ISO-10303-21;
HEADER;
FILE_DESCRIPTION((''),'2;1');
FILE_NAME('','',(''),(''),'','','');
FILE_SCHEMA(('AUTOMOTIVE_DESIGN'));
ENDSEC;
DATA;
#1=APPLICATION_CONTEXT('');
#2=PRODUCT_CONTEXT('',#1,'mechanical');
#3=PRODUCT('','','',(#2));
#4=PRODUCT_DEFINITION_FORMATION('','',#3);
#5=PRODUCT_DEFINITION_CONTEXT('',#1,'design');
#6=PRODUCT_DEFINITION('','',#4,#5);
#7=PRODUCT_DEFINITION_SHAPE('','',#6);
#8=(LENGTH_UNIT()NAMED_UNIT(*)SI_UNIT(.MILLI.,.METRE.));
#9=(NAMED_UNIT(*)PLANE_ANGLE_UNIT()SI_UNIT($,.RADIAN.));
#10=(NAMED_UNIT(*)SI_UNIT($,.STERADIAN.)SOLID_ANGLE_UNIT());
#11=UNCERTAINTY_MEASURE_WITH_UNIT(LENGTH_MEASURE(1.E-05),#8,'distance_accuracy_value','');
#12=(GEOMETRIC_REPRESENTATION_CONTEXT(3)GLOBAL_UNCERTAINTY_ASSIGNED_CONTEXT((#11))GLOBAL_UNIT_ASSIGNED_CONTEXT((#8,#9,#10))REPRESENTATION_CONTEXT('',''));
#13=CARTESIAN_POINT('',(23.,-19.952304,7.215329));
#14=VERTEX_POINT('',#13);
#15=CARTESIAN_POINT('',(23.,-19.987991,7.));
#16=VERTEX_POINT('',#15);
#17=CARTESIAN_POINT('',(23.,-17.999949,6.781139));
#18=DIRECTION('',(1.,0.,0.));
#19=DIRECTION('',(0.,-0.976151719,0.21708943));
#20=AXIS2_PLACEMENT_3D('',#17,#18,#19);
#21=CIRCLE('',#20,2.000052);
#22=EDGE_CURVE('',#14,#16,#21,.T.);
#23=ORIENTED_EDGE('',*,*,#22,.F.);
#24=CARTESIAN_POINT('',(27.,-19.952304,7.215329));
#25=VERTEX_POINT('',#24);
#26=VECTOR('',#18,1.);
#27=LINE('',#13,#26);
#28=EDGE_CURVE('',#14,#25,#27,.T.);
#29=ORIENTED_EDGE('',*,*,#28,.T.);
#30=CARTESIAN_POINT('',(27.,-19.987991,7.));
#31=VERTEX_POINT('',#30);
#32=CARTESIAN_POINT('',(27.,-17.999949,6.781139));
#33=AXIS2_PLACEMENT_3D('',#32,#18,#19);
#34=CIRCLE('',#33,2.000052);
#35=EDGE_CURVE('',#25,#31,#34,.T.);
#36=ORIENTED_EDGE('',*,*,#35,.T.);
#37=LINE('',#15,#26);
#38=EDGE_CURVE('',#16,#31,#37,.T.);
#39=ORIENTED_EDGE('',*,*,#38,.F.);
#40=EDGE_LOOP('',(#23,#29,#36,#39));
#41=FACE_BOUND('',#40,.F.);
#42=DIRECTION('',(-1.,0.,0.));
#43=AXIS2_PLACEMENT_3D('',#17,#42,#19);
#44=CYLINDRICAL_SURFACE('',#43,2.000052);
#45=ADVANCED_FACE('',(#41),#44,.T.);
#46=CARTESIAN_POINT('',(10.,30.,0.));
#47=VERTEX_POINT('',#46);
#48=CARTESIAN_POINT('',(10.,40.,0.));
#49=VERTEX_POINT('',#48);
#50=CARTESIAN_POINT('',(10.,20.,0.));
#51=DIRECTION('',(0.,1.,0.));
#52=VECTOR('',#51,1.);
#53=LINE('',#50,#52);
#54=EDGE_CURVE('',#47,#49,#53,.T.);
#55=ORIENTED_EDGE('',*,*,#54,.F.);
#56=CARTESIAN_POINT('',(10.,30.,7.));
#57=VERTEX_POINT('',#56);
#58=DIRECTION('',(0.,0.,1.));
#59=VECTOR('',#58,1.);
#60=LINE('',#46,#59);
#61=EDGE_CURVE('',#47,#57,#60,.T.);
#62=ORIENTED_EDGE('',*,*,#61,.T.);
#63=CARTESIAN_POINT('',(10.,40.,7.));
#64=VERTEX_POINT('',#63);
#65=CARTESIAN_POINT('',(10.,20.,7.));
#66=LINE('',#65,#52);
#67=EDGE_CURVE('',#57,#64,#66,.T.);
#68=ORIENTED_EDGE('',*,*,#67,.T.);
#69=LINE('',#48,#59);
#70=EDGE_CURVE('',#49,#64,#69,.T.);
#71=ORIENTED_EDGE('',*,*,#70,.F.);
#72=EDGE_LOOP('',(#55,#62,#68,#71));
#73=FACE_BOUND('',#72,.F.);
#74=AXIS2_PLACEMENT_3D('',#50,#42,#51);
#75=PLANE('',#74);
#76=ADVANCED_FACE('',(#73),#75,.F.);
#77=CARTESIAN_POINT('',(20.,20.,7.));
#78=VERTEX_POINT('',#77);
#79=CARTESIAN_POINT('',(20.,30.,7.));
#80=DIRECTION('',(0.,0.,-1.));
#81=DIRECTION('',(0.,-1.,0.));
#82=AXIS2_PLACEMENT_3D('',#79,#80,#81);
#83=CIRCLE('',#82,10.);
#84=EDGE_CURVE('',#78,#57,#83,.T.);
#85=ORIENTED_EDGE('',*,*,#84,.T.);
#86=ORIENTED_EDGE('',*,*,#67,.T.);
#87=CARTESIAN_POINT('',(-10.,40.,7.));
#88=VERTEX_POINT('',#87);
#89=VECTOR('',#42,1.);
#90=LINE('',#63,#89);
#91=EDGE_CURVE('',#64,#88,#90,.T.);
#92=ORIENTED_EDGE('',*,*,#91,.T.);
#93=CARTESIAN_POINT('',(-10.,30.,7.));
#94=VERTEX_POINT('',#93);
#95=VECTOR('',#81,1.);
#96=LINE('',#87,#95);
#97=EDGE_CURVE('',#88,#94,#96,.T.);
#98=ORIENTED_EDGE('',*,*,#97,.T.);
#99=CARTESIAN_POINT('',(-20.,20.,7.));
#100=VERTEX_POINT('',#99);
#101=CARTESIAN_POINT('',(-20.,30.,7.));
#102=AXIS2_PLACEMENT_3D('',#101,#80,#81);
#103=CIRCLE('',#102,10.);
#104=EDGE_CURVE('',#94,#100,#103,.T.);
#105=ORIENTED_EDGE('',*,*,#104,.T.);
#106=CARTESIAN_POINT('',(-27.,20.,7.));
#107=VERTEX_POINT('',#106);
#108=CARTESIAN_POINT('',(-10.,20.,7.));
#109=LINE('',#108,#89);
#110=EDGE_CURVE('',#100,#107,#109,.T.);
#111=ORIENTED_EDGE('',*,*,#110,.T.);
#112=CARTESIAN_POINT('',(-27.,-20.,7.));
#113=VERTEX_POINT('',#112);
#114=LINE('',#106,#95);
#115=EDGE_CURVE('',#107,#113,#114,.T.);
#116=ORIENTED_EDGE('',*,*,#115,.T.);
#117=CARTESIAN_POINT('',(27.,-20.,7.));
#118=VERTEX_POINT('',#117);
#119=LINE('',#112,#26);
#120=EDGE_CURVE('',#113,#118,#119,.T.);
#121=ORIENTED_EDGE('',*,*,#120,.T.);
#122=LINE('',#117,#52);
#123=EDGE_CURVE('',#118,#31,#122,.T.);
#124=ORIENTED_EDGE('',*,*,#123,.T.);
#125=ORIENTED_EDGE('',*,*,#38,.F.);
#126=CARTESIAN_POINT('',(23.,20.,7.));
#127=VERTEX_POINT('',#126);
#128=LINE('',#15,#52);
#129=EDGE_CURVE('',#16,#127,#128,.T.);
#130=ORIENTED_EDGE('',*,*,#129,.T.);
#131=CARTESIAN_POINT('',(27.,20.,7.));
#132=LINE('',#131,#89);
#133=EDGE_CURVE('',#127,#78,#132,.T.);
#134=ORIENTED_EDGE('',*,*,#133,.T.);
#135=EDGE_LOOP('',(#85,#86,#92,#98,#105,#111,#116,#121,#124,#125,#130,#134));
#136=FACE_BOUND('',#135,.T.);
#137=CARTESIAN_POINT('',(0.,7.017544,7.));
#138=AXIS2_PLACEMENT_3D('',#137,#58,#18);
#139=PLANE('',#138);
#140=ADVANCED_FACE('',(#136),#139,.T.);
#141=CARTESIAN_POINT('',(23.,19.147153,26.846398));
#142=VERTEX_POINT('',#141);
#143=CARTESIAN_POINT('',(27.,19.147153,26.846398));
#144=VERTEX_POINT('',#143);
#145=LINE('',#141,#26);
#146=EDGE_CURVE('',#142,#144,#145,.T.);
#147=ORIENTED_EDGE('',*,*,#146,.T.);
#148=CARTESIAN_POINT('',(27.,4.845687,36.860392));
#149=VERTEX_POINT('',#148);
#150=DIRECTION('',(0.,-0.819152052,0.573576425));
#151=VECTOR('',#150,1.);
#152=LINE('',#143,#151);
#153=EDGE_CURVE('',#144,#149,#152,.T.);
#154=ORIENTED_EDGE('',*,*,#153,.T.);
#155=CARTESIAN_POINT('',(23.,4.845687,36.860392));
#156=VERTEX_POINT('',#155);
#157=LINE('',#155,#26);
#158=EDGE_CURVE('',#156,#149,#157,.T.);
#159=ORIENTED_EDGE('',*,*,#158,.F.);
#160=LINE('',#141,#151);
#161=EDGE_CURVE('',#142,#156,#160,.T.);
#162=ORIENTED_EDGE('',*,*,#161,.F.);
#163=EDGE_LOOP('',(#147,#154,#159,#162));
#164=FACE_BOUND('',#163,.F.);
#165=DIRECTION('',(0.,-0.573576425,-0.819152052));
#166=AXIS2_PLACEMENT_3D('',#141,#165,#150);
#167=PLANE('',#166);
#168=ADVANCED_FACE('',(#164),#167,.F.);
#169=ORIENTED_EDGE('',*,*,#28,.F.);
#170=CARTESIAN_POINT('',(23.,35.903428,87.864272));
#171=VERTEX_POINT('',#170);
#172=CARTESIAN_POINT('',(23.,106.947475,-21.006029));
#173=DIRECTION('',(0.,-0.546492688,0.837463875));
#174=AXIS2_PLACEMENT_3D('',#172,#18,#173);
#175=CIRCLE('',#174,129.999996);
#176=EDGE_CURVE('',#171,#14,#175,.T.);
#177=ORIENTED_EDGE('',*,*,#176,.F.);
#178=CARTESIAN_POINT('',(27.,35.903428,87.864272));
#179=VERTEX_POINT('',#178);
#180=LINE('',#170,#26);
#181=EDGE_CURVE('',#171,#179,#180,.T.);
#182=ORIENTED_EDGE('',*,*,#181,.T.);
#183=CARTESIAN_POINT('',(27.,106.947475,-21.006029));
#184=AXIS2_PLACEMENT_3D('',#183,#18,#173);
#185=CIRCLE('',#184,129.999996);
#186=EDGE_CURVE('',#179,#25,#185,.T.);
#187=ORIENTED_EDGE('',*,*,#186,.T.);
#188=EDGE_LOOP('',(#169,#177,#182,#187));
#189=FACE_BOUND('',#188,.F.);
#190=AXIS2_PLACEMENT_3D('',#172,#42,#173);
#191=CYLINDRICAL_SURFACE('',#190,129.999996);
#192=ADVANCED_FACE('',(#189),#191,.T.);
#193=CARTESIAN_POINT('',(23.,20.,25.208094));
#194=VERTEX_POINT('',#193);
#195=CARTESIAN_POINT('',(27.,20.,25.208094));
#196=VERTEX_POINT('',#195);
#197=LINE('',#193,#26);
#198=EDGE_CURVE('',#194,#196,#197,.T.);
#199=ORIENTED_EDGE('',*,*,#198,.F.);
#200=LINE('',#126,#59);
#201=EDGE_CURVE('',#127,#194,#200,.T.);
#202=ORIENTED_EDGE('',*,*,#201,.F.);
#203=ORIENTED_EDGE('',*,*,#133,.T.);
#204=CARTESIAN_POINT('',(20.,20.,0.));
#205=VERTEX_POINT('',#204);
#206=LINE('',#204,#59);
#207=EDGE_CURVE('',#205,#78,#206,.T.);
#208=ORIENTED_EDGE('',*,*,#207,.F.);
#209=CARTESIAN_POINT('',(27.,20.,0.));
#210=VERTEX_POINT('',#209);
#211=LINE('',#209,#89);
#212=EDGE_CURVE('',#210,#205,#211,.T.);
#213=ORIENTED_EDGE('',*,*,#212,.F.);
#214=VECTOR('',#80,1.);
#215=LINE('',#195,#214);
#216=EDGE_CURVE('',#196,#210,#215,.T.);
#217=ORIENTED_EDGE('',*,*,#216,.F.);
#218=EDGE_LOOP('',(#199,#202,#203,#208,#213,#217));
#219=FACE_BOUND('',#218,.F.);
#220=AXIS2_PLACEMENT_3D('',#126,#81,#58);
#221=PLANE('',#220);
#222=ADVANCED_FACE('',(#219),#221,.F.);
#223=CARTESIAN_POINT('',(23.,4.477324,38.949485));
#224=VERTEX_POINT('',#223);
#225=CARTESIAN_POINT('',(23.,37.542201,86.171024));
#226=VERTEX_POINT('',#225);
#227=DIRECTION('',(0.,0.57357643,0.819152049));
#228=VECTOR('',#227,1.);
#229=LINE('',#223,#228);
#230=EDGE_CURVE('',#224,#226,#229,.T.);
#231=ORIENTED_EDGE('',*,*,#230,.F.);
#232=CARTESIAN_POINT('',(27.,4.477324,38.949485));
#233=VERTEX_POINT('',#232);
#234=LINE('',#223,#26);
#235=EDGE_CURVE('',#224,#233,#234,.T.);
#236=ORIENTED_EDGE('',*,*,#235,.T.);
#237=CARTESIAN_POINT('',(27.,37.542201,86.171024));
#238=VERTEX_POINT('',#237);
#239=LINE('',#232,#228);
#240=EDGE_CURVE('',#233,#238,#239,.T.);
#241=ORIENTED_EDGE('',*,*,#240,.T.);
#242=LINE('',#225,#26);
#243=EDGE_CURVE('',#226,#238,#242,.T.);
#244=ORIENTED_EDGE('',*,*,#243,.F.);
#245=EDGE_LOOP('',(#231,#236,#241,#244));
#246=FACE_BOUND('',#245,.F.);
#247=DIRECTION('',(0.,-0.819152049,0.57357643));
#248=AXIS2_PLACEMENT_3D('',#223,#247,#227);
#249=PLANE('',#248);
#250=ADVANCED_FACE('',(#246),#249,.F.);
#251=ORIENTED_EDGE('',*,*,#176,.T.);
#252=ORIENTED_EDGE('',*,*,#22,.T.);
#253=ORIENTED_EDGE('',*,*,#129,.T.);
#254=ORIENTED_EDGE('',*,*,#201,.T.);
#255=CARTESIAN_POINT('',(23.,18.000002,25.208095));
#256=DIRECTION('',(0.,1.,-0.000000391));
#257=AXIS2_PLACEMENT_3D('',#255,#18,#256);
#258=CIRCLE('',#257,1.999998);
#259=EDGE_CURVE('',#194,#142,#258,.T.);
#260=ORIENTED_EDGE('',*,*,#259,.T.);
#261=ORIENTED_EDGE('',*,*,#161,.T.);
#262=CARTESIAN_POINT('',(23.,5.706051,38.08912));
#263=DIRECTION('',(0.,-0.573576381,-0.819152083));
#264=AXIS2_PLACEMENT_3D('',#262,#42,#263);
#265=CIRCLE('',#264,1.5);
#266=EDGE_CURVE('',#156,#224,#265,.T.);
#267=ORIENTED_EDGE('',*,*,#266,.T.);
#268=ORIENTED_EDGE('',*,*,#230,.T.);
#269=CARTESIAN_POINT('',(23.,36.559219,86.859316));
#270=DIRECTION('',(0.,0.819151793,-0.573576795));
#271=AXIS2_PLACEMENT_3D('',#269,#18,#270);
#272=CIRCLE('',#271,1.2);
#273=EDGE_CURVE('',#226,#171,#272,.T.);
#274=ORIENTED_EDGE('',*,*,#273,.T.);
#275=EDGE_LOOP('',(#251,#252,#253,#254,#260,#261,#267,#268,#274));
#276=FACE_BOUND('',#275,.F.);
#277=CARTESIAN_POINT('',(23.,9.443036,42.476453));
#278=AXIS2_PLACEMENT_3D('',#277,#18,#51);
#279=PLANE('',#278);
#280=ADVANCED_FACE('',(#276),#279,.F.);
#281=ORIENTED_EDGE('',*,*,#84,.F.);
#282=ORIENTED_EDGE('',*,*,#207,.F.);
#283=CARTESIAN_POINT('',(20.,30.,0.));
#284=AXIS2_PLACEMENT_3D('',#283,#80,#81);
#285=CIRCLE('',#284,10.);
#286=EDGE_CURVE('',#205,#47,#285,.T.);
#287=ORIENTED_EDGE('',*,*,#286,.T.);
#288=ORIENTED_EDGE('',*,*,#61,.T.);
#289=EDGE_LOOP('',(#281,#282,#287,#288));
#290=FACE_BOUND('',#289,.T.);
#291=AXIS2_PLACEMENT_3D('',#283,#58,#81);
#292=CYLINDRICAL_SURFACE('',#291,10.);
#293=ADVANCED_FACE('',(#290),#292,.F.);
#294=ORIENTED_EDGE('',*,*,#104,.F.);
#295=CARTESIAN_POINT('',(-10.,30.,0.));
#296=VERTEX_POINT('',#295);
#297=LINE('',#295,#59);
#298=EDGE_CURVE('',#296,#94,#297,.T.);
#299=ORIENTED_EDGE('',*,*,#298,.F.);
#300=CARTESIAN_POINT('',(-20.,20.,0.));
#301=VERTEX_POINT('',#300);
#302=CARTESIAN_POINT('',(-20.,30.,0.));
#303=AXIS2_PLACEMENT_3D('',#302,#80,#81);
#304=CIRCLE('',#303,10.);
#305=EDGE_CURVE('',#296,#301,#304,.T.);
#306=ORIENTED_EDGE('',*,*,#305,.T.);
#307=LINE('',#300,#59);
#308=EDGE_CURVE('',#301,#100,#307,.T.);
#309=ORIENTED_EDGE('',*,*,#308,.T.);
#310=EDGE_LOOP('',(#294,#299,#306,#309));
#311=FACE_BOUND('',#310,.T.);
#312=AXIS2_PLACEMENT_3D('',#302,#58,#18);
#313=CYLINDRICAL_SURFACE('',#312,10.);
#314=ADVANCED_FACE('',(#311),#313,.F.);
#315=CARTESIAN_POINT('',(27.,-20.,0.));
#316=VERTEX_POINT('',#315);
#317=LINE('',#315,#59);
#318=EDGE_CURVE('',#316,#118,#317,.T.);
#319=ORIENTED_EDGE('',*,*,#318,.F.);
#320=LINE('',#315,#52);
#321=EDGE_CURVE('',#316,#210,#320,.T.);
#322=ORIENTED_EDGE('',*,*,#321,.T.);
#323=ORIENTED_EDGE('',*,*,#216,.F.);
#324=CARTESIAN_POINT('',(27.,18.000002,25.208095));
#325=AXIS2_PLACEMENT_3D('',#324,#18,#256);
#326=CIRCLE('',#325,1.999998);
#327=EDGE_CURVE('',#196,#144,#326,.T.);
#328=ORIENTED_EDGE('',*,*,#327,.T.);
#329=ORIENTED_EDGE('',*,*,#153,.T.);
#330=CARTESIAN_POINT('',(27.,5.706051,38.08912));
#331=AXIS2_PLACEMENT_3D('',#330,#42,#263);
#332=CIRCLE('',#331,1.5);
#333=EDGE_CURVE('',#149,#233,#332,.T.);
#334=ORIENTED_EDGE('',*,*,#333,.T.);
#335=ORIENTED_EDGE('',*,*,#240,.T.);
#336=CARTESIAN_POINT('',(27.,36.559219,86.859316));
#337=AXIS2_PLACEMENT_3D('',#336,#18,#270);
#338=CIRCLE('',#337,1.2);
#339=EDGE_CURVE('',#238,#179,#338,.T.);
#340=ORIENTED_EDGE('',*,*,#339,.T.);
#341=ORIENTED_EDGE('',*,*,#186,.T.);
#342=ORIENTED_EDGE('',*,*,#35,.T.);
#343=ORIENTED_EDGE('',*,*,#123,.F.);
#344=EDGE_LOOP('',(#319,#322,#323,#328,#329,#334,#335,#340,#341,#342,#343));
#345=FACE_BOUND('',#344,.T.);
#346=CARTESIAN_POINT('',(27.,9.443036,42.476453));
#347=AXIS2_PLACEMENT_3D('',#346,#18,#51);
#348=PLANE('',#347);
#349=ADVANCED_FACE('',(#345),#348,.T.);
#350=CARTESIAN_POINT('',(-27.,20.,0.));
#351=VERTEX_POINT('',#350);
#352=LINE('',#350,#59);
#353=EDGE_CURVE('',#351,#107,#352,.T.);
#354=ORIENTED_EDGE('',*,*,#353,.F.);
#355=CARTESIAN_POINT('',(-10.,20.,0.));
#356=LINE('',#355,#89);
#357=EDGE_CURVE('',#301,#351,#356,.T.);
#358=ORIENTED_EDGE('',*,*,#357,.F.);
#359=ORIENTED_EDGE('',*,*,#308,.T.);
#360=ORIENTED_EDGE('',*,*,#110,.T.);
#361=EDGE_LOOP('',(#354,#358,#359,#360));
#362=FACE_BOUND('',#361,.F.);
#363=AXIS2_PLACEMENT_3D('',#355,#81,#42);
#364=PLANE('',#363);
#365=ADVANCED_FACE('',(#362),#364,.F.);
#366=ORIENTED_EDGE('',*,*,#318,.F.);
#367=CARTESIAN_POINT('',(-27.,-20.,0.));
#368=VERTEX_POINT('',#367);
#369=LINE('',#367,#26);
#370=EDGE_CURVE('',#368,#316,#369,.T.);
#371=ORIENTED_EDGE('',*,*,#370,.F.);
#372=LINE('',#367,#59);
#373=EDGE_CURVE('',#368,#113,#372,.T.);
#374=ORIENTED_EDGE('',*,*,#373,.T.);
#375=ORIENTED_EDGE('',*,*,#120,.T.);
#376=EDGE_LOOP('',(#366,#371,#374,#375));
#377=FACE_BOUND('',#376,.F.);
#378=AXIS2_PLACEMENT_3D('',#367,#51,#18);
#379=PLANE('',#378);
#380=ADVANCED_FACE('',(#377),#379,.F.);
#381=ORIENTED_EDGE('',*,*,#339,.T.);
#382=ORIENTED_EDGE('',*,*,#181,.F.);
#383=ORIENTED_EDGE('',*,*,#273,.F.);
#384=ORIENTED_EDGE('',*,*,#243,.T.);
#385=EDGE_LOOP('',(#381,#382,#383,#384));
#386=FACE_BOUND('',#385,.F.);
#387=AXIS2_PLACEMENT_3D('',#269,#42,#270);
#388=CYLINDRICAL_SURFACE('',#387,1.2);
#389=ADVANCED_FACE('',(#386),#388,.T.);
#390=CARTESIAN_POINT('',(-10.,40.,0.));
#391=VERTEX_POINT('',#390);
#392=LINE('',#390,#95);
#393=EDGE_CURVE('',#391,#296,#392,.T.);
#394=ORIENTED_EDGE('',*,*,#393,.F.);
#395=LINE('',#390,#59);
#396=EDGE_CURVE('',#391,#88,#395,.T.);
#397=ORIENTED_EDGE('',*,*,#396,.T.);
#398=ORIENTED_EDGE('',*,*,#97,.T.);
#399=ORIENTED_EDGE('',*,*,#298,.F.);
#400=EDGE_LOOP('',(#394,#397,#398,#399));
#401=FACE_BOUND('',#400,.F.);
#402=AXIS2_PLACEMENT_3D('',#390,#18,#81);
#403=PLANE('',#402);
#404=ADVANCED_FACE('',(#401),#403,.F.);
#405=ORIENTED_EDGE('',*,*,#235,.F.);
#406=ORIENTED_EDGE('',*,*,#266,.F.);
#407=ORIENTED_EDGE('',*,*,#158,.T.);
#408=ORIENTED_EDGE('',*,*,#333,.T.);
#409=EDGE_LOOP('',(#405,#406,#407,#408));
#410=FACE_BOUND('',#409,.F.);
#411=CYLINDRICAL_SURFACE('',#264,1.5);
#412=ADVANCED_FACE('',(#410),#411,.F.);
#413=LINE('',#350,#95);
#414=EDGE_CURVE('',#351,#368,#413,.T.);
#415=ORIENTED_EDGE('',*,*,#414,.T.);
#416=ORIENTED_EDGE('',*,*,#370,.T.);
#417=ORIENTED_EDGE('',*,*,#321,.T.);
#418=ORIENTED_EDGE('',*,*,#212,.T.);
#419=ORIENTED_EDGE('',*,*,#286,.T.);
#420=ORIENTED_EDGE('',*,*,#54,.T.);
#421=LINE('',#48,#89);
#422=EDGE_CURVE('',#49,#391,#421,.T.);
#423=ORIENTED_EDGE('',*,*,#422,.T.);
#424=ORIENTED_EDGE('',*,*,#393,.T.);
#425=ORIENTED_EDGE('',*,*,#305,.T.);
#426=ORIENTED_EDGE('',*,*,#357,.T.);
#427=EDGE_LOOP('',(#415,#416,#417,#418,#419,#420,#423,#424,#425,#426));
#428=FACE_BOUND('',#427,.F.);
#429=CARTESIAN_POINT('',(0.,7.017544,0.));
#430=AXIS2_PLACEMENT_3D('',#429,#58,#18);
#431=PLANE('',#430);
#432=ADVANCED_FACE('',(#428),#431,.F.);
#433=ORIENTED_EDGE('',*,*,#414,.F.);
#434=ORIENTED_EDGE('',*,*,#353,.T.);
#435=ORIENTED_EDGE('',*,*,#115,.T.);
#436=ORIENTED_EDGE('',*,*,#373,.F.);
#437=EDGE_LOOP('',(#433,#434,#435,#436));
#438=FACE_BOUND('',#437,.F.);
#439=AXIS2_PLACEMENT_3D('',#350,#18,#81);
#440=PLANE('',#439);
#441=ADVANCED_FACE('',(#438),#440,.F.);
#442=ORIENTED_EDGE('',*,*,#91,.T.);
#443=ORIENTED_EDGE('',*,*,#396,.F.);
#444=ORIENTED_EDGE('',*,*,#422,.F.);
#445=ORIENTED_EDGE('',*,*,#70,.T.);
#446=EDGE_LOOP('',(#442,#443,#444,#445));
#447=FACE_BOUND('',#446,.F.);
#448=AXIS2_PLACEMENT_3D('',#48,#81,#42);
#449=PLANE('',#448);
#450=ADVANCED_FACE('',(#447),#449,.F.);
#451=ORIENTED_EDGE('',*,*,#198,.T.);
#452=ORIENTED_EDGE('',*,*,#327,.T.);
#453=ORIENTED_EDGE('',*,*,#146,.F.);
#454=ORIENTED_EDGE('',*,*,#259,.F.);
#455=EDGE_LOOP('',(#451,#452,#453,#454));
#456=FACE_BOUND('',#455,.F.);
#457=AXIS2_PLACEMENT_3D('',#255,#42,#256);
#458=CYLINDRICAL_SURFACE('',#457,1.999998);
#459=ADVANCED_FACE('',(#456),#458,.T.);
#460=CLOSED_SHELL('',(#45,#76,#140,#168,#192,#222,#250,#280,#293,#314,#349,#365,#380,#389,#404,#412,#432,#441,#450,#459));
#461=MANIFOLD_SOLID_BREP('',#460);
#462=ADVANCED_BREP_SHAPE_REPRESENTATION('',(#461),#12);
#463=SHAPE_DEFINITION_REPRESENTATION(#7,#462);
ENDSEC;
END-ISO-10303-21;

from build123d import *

# Parameters (mm, degrees)
F1_DEPTH = 7
F2_R     = 10
F5_DEPTH = 4


with BuildPart() as f1:
    # F0 (on Top) → F1 (new body)
    with BuildSketch(Plane.XY):
        Polygon((-27, -20), (27, -20), (27, 20), (10, 20), (10, 40), (-10, 40), (-10, 20), (-27, 20), align=None)
    extrude(amount=F1_DEPTH)

    # F2
    f2_edges = [f1.edges().sort_by_distance(p)[0] for p in [
        (10, 20, 3.5),
        (-10, 20, 3.5),
    ]]
    fillet(f2_edges, radius=F2_R)

    # F4 (on offset) → F5 (join)
    with BuildSketch(Plane.YZ.offset(23)):
        with BuildLine():
            Line((-19.987991, 7), (20, 7))
            Line((20, 7), (20, 25.208094))
            ThreePointArc((20, 25.208094), (19.774022, 26.131591), (19.147153, 26.846398))
            Line((19.147153, 26.846398), (4.845687, 36.860392))
            ThreePointArc((4.845687, 36.860392), (4.22884, 37.828648), (4.477324, 38.949485))
            Line((4.477324, 38.949485), (37.542201, 86.171024))
            ThreePointArc((37.542201, 86.171024), (37.421504, 87.69386), (35.903428, 87.864272))
            ThreePointArc((35.903428, 87.864272), (0.076045, 53.010837), (-19.952304, 7.215329))
            ThreePointArc((-19.952304, 7.215329), (-19.973087, 7.108152), (-19.987991, 7))
        make_face()
    extrude(amount=F5_DEPTH)


solid = f1.part
